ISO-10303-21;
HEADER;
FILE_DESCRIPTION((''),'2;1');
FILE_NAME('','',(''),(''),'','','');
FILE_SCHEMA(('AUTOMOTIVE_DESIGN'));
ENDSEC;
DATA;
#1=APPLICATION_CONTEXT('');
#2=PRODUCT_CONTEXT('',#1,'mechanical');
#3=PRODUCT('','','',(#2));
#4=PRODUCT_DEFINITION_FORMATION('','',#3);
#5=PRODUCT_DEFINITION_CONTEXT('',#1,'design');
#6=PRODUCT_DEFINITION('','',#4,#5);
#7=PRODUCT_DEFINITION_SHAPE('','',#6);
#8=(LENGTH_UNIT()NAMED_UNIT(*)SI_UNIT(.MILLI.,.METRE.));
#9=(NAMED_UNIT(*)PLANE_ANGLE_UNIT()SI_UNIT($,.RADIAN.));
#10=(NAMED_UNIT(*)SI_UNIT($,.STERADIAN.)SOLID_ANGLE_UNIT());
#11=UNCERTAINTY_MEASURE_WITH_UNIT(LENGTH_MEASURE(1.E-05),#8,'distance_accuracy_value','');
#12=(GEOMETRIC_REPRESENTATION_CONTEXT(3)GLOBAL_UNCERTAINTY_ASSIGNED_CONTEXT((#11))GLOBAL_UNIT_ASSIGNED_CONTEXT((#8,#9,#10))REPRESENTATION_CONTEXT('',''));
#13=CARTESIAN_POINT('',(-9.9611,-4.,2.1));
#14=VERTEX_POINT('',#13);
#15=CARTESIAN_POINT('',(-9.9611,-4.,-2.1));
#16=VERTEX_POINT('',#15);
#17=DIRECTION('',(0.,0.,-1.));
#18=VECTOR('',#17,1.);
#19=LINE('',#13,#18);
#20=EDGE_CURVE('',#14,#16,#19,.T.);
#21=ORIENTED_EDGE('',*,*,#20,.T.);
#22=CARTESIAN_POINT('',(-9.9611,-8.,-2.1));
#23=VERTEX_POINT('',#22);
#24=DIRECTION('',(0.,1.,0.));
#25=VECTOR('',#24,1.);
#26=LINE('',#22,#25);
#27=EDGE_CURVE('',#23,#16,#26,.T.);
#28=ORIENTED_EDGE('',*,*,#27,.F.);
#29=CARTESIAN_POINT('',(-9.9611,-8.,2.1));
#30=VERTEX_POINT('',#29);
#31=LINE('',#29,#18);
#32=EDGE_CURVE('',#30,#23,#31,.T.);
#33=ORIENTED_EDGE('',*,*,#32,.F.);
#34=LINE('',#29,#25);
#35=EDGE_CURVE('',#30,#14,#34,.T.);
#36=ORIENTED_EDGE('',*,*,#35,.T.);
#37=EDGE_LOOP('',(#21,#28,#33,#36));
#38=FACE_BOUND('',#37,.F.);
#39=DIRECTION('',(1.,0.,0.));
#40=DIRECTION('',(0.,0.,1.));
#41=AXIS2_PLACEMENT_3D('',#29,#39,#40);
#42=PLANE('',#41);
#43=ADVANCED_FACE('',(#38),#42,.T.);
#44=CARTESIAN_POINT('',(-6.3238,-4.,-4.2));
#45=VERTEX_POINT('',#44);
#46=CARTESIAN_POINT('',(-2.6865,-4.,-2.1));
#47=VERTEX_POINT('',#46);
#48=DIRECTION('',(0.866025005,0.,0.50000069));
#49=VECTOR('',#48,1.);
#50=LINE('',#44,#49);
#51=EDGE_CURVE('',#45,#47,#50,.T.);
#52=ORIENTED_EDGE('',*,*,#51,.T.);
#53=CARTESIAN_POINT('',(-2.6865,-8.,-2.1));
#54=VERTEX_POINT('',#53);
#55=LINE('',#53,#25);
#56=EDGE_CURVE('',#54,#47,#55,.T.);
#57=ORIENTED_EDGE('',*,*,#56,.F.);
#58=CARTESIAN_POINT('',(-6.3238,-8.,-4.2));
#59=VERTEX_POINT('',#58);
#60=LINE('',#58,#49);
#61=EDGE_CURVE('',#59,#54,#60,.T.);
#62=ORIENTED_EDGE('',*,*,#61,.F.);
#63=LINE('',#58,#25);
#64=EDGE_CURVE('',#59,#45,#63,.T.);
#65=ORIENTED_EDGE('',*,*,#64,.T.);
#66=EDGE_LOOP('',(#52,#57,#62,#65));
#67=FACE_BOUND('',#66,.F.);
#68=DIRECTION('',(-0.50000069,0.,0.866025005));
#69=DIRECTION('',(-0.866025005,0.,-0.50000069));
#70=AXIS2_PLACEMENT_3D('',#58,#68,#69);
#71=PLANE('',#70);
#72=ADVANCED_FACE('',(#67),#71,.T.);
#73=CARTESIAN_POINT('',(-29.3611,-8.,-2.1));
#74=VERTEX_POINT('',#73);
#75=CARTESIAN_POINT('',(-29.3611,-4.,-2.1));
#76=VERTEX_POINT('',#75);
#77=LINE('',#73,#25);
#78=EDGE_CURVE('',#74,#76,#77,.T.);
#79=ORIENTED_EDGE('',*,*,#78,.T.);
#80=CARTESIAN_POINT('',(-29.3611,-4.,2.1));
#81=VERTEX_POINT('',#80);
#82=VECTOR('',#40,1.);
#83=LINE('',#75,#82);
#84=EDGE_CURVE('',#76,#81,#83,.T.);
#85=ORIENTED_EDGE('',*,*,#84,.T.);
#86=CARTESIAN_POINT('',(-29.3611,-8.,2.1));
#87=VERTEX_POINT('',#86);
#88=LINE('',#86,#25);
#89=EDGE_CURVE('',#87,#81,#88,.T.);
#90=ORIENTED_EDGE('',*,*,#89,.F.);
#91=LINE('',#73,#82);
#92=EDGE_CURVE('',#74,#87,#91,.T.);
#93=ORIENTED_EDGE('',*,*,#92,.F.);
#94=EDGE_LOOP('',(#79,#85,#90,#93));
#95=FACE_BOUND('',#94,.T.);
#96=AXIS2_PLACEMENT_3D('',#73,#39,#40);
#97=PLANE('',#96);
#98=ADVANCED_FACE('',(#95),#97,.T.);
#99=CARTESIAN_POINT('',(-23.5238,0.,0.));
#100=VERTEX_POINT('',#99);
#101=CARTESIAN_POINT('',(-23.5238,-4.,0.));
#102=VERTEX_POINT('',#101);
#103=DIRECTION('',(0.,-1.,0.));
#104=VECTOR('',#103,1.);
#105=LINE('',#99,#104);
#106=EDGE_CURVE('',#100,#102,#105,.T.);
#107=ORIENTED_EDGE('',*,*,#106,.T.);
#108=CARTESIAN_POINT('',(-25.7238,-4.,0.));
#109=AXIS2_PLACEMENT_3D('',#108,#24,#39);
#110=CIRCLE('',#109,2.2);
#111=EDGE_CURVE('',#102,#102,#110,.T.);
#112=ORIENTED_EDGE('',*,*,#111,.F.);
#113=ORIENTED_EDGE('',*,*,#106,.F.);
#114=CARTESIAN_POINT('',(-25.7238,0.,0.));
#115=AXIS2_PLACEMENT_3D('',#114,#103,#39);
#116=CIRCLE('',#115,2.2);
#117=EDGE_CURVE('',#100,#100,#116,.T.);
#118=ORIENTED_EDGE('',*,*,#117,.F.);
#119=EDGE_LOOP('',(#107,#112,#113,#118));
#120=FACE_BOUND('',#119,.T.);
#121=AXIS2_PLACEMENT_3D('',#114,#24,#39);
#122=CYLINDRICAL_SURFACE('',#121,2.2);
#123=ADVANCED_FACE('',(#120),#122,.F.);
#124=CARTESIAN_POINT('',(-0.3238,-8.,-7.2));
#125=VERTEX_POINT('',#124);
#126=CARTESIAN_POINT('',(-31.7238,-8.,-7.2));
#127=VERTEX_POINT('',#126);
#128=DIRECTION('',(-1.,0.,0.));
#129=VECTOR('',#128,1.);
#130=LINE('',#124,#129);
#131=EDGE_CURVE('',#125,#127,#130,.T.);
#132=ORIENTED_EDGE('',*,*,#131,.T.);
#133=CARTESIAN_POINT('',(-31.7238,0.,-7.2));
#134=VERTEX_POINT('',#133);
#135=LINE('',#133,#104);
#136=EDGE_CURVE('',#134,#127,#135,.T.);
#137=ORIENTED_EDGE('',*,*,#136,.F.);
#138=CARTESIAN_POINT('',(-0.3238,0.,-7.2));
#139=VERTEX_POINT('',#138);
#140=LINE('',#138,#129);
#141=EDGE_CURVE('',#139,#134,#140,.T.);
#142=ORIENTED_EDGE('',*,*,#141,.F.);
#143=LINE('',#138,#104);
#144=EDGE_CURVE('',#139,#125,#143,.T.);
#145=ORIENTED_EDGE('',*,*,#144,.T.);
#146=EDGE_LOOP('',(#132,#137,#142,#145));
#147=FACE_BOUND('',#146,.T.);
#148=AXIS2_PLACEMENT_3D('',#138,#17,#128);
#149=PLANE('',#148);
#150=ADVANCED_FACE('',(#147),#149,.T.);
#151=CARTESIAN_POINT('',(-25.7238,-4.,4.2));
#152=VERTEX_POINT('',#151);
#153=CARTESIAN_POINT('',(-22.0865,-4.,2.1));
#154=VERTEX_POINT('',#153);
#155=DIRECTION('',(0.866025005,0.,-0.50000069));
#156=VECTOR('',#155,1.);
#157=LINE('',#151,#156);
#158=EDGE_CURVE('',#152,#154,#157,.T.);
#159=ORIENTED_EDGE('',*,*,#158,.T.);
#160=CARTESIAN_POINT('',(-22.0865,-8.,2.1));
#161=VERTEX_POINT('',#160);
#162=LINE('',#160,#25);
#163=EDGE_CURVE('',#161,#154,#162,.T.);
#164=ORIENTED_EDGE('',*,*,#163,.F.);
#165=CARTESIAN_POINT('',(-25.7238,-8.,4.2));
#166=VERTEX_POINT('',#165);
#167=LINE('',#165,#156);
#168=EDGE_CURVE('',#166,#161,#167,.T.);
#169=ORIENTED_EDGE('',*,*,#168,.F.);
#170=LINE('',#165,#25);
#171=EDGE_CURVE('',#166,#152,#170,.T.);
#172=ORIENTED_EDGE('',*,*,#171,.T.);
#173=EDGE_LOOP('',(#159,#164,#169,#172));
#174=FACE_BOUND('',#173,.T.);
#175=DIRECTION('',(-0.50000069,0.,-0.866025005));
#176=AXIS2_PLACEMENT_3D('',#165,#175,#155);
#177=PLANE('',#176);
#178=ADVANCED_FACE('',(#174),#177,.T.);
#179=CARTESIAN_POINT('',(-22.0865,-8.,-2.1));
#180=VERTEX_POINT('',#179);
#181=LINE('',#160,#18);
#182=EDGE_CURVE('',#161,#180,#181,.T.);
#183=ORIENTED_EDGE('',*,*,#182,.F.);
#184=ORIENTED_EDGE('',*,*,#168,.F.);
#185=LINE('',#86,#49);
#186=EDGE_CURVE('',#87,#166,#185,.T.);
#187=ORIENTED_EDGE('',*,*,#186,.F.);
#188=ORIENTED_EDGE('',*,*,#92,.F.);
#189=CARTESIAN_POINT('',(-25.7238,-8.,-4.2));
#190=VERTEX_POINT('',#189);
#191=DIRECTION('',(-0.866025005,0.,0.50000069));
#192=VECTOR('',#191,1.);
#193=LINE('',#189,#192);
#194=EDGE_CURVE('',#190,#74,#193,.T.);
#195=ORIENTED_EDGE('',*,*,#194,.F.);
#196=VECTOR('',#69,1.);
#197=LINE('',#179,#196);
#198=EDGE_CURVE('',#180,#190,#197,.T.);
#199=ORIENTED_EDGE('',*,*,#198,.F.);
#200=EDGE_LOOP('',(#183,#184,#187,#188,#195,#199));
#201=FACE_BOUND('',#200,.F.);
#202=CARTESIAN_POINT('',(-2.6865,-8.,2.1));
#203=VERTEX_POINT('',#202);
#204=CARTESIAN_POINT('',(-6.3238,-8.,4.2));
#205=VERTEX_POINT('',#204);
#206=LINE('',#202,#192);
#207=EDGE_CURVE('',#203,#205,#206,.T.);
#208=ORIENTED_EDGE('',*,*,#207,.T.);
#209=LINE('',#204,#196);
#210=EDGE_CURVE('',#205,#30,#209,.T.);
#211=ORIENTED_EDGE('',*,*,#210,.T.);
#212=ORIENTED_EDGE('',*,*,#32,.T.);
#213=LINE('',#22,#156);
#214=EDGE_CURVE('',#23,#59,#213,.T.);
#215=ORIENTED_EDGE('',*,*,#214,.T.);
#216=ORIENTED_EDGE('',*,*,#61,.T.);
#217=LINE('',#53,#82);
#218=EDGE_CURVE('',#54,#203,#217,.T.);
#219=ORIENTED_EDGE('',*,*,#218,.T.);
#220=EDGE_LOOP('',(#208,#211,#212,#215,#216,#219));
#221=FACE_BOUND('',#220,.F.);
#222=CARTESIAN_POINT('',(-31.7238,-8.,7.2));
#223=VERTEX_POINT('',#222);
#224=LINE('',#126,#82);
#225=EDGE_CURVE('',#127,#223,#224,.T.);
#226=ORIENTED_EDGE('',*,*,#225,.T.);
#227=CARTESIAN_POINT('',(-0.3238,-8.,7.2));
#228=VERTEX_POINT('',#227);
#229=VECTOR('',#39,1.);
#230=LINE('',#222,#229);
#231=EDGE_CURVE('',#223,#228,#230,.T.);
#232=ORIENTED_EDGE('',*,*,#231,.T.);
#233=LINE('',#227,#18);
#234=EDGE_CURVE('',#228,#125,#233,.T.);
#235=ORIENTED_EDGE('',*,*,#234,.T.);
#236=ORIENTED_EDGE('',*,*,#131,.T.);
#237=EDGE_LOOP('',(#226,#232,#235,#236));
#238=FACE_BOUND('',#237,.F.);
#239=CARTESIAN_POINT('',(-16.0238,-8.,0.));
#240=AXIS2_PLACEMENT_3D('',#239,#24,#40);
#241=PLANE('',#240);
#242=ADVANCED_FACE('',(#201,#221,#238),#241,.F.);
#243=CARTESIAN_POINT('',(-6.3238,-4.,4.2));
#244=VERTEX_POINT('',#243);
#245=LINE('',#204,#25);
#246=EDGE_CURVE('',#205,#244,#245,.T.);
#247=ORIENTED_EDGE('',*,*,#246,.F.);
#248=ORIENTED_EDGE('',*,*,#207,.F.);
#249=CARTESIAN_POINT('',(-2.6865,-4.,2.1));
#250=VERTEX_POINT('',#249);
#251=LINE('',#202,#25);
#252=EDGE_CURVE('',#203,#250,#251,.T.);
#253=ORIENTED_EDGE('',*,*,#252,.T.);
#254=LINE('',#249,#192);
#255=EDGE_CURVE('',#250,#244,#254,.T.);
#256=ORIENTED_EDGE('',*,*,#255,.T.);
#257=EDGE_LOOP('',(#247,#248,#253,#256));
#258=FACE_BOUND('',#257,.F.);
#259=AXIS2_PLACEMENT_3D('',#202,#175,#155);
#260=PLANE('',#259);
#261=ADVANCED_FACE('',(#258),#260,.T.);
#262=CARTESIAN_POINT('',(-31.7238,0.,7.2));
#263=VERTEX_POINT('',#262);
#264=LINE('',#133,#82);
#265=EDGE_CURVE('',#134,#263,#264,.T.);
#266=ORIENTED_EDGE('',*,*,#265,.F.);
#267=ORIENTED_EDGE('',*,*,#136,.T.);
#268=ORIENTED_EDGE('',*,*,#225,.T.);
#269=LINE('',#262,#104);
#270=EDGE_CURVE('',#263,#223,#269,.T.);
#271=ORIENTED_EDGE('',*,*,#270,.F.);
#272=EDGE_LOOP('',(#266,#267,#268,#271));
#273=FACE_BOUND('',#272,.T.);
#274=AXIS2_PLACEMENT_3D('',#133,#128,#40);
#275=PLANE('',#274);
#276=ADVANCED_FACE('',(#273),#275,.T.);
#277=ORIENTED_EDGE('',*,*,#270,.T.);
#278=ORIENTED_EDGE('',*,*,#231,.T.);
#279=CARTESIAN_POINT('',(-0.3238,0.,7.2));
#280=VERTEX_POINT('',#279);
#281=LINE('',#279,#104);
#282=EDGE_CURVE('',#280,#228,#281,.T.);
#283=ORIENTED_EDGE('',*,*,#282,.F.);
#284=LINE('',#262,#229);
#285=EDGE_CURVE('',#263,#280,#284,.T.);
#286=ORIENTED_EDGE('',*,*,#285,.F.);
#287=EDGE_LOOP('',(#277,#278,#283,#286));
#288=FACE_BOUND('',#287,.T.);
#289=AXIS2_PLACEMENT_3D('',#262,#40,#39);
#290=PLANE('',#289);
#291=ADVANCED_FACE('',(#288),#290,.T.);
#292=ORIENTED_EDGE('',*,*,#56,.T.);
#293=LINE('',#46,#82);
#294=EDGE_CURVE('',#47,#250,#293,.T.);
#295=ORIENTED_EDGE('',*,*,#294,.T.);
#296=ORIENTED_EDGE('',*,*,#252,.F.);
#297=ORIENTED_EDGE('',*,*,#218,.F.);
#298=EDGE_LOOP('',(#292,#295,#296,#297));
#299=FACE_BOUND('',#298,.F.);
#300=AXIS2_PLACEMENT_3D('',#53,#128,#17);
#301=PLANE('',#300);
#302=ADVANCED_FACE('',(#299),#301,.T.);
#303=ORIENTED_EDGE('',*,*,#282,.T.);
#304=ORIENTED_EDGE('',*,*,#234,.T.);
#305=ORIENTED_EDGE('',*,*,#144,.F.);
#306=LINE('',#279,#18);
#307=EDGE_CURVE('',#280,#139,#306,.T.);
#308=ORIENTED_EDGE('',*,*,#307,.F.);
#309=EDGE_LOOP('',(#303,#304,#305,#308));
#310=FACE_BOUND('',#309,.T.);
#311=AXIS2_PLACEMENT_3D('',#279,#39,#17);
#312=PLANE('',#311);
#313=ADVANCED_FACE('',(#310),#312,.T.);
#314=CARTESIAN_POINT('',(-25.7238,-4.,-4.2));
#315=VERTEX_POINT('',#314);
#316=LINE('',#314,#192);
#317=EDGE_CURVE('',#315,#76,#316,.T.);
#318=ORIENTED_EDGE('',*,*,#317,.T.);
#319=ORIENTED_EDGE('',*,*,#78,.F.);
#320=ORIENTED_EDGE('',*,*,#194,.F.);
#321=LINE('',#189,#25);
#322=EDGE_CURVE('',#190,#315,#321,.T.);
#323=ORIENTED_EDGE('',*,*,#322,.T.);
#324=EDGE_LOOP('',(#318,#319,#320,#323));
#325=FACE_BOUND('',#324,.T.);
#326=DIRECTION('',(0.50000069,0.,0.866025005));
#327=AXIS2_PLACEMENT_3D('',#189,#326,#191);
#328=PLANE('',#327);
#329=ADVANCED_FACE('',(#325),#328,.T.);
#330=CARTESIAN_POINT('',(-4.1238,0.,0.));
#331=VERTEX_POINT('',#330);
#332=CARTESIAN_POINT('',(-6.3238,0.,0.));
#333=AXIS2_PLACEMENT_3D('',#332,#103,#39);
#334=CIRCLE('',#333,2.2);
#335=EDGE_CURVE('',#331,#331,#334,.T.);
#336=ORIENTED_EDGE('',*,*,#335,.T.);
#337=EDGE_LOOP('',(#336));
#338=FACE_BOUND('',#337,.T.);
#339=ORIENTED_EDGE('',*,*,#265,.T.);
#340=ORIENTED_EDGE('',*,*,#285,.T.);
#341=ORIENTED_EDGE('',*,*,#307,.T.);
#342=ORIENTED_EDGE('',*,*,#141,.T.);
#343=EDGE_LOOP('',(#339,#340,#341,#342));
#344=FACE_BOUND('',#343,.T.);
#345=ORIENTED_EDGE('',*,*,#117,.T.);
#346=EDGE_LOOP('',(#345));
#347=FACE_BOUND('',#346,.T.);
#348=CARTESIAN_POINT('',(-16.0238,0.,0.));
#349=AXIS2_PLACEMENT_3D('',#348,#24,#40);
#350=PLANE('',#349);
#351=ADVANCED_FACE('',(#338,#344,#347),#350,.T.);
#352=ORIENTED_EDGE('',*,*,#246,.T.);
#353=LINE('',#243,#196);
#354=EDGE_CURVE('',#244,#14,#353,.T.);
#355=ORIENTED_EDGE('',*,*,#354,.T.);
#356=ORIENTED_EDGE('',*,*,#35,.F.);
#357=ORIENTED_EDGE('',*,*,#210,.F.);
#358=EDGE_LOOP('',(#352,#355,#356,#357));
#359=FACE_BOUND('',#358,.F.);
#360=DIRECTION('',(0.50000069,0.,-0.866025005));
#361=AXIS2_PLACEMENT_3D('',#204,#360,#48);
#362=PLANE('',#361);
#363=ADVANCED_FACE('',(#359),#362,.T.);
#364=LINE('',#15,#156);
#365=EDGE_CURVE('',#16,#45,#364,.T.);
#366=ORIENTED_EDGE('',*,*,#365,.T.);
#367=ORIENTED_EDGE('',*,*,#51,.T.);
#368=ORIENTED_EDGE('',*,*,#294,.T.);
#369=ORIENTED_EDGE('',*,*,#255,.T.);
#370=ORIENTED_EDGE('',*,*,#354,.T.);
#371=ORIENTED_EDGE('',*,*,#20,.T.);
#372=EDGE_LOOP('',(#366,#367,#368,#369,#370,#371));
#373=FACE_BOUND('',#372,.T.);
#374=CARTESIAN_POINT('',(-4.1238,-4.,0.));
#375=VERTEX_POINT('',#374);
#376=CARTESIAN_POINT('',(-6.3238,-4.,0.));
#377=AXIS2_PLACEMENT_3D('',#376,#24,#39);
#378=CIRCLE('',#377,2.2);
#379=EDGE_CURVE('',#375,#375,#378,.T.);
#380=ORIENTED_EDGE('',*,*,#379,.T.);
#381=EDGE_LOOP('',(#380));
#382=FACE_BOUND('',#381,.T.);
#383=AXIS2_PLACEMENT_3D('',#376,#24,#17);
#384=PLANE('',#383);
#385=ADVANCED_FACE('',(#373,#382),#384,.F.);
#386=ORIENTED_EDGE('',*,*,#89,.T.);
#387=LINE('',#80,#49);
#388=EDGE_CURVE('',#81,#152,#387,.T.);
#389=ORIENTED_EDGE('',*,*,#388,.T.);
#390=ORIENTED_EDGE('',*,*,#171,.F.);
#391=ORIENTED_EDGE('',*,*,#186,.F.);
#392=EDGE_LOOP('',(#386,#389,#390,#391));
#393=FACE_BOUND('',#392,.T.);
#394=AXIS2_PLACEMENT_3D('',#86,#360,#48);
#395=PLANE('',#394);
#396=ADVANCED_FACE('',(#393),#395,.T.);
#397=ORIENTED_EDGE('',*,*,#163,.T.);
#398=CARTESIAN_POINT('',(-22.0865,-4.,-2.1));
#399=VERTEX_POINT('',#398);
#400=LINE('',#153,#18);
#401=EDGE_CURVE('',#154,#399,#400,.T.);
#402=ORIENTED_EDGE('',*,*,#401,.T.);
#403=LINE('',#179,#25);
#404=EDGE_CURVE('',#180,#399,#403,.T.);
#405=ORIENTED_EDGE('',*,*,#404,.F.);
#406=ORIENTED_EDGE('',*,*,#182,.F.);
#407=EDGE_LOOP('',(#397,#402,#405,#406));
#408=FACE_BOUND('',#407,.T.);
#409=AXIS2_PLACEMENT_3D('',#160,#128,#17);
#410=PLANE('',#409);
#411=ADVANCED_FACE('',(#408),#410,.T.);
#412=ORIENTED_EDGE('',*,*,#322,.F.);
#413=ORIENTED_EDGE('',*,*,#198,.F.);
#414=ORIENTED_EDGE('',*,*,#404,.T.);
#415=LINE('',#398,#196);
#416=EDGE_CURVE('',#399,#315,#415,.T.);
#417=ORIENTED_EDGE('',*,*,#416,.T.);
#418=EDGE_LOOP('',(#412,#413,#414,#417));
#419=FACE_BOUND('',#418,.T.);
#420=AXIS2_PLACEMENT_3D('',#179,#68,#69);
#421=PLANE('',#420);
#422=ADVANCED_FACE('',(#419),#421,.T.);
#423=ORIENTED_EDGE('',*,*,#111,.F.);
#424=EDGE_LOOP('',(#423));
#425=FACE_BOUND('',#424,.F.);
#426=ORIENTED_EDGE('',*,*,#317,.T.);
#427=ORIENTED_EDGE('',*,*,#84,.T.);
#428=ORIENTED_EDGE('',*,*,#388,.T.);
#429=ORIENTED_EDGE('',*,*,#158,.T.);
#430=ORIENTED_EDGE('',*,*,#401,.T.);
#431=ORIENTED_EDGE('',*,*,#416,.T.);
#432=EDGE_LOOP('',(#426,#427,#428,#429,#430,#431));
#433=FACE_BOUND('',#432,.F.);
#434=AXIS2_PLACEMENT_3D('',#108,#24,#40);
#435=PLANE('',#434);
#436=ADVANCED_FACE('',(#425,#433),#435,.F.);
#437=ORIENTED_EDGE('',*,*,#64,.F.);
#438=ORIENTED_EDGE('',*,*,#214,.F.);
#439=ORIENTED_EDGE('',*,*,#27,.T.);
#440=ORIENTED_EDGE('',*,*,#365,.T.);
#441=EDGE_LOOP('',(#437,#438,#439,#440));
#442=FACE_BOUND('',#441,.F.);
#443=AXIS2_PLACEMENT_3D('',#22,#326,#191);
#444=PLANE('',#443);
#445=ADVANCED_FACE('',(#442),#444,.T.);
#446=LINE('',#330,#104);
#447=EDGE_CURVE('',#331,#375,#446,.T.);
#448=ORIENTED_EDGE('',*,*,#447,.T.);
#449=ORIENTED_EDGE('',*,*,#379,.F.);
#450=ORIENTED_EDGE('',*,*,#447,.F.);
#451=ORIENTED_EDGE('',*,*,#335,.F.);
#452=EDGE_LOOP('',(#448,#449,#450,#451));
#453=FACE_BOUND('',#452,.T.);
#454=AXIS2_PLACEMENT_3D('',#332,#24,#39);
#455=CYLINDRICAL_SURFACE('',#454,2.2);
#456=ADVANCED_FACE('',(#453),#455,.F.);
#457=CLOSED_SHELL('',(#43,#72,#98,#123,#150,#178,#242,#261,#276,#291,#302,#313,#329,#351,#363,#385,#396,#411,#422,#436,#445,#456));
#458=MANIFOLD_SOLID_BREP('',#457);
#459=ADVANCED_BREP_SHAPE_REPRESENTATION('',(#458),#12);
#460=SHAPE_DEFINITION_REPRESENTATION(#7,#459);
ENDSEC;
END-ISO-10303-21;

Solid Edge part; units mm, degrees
sketch "Sketch1" plane through (0, 0, 0) normal (0, -1, 0) x (1, 0, 0)
  circle A0 centre (-6.3238, 0) radius 2.2
  line L0 (-31.7238, 7.2) -> (-0.3238, 7.2)
  line L1 (-0.3238, 7.2) -> (-0.3238, -7.2)
  line L2 (-0.3238, -7.2) -> (-31.7238, -7.2)
  line L3 (-31.7238, -7.2) -> (-31.7238, 7.2)
  circle A1 centre (-25.7238, 0) radius 2.2
  dimension "D1" = 19.4
  dimension "D2" = 6
  dimension "D3" = 4.4
  dimension "D4" = 4.4
  dimension "D5" = 7.2
  dimension "D6" = 7.2
  dimension "D7" = 6
extrude "Protrusion1" add sketch "Sketch1" along normal blind 8
sketch "Sketch2" plane through (-14.9238, -8, 0) normal (0, -1, 0) x (1, 0, 0)
  line L0 (-14.4373, -2.1) -> (-14.4373, 2.1)
  line L1 (-14.4373, 2.1) -> (-10.8, 4.2)
  line L2 (-10.8, 4.2) -> (-7.1627, 2.1)
  line L3 (-7.1627, 2.1) -> (-7.1627, -2.1)
  line L4 (-7.1627, -2.1) -> (-10.8, -4.2)
  line L5 (-10.8, -4.2) -> (-14.4373, -2.1)
  dimension "D1" = 8.4
extrude "ExtrudedCutout_1" cut sketch "Sketch2" against normal blind 4
mirror "Mirror1" about plane through (-16.0238, -4, 0) normal (-1, 0, 0) of "ExtrudedCutout_1"
